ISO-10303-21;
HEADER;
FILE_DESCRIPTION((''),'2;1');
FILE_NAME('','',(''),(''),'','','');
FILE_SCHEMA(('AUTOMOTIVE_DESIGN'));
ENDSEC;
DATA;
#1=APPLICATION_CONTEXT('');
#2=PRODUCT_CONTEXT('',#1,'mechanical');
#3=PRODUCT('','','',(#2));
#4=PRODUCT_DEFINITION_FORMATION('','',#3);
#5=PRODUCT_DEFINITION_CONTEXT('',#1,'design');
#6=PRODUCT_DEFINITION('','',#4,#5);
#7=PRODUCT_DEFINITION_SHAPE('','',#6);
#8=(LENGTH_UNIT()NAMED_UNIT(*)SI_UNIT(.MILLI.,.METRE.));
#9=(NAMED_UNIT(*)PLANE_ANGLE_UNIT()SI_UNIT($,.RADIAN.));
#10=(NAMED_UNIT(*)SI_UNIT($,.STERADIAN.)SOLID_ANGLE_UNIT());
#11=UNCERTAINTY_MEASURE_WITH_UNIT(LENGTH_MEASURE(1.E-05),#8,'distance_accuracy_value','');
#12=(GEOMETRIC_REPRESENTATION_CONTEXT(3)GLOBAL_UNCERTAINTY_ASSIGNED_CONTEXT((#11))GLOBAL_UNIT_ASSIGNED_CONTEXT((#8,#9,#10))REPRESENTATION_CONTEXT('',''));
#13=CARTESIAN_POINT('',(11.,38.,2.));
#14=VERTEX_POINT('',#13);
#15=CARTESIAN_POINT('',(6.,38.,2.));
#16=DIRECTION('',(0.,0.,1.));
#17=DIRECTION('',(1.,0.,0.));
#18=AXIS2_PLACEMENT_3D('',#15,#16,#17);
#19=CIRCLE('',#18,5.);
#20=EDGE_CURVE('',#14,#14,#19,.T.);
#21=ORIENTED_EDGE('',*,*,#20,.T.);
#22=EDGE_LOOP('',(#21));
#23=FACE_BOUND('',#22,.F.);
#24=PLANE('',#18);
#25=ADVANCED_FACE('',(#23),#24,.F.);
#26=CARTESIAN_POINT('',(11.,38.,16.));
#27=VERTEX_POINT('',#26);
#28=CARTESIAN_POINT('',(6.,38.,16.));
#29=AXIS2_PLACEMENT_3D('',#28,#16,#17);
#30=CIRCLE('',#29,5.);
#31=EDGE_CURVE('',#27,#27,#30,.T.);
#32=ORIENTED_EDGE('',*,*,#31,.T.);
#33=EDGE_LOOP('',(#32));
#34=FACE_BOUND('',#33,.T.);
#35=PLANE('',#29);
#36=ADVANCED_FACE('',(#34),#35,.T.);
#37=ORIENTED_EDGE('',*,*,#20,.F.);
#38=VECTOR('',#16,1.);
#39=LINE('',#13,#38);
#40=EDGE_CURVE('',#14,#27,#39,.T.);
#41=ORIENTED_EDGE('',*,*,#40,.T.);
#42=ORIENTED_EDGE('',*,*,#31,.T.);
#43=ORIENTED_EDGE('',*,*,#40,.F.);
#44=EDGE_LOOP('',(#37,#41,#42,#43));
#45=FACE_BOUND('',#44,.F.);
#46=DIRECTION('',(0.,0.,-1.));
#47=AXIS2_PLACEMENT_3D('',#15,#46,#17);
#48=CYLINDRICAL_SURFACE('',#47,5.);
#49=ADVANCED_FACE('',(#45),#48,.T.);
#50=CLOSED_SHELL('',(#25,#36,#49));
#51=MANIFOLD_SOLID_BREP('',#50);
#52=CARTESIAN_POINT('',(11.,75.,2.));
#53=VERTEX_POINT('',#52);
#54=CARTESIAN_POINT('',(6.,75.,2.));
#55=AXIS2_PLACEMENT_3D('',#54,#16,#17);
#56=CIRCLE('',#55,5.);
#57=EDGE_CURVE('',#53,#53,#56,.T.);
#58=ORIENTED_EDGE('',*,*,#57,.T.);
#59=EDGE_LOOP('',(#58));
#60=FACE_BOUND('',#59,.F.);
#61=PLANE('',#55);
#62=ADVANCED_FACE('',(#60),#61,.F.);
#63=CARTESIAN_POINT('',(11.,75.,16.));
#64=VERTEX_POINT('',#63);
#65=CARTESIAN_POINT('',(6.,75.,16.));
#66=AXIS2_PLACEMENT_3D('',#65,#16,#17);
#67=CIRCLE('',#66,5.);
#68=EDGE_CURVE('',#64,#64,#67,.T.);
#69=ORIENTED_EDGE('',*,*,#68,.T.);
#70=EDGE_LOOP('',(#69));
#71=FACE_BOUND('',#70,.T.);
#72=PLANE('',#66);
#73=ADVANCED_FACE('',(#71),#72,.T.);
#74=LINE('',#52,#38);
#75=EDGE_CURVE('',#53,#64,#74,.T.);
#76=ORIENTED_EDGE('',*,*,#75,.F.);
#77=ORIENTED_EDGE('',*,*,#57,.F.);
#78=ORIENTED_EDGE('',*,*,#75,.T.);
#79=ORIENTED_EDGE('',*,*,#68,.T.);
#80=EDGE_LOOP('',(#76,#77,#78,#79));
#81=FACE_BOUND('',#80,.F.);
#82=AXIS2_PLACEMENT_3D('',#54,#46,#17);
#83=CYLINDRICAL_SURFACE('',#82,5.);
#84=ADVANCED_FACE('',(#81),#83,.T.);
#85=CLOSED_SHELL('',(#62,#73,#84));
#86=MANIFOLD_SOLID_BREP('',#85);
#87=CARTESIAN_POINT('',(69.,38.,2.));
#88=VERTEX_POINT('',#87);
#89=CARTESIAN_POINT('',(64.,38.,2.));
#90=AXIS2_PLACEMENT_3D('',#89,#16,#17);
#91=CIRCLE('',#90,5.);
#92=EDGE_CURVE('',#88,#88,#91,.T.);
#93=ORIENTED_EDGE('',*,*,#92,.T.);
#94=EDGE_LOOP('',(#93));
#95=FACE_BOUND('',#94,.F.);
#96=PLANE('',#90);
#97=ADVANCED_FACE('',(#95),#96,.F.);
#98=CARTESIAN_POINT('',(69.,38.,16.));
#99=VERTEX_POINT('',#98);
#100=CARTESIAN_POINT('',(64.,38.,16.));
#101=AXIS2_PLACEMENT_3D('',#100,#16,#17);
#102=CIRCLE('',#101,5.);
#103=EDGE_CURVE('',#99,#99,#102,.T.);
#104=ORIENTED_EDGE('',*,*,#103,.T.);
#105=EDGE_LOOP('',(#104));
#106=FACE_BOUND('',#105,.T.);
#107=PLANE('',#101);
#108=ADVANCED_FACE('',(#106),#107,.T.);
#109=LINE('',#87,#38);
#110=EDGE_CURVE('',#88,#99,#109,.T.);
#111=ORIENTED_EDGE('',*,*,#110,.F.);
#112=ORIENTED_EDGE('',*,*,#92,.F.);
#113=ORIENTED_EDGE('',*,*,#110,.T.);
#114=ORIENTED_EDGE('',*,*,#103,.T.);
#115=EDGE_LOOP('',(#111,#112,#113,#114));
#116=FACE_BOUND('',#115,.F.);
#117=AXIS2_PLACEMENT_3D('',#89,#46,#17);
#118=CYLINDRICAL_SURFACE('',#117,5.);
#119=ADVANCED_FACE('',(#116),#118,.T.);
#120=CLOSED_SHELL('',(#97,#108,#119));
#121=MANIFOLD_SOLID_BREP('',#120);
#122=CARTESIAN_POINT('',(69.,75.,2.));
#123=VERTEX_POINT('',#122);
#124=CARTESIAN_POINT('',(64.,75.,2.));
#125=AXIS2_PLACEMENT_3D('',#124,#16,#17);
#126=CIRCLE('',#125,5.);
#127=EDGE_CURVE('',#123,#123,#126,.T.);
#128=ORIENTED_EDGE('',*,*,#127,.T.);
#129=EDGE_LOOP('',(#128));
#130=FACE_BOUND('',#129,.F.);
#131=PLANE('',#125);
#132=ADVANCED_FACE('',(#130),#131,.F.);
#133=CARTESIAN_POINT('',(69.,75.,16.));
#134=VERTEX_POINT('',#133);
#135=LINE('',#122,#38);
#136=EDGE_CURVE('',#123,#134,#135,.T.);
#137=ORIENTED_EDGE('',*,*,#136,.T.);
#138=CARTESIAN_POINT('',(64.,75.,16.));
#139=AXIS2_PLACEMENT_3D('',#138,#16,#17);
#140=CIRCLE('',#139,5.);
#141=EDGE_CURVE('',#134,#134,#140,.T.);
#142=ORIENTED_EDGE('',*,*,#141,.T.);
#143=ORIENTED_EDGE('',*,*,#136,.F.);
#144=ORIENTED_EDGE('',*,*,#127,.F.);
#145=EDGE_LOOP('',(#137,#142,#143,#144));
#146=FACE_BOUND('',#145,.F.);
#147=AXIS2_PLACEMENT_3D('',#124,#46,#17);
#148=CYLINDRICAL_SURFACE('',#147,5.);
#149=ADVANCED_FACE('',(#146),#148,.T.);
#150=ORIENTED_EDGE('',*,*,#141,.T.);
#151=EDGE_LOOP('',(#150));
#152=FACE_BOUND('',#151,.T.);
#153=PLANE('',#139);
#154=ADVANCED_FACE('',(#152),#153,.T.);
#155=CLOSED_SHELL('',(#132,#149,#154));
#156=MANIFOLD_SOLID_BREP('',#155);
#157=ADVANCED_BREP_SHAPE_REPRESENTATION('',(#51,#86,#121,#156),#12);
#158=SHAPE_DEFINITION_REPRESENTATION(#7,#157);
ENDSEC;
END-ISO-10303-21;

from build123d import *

# Parameters (mm, degrees)
CYLINDER_R        = 5
CYLINDER_DEPTH    = 14
CYLINDER001_R     = 5
CYLINDER001_DEPTH = 14
CYLINDER002_R     = 5
CYLINDER002_DEPTH = 14
CYLINDER003_R     = 5
CYLINDER003_DEPTH = 14


with BuildPart() as cylinder:
    # Cylinder → Cylinder (new body)
    with BuildSketch(Plane(origin=(6, 75, 2), x_dir=(1, 0, 0), z_dir=(0, 0, 1))):
        Circle(CYLINDER_R)
    extrude(amount=CYLINDER_DEPTH)


with BuildPart() as cylinder001:
    # Cylinder001 → Cylinder001 (new body)
    with BuildSketch(Plane(origin=(64, 38, 2), x_dir=(1, 0, 0), z_dir=(0, 0, 1))):
        Circle(CYLINDER001_R)
    extrude(amount=CYLINDER001_DEPTH)


with BuildPart() as cylinder002:
    # Cylinder002 → Cylinder002 (new body)
    with BuildSketch(Plane(origin=(6, 38, 2), x_dir=(1, 0, 0), z_dir=(0, 0, 1))):
        Circle(CYLINDER002_R)
    extrude(amount=CYLINDER002_DEPTH)


with BuildPart() as bases:
    # Cylinder003 → Cylinder003 (new body)
    with BuildSketch(Plane(origin=(64, 75, 2), x_dir=(1, 0, 0), z_dir=(0, 0, 1))):
        Circle(CYLINDER003_R)
    extrude(amount=CYLINDER003_DEPTH)

    # Fusion: union Cylinder, Cylinder001, Cylinder002
    add(cylinder.part)
    add(cylinder001.part)
    add(cylinder002.part)


solid = bases.part
